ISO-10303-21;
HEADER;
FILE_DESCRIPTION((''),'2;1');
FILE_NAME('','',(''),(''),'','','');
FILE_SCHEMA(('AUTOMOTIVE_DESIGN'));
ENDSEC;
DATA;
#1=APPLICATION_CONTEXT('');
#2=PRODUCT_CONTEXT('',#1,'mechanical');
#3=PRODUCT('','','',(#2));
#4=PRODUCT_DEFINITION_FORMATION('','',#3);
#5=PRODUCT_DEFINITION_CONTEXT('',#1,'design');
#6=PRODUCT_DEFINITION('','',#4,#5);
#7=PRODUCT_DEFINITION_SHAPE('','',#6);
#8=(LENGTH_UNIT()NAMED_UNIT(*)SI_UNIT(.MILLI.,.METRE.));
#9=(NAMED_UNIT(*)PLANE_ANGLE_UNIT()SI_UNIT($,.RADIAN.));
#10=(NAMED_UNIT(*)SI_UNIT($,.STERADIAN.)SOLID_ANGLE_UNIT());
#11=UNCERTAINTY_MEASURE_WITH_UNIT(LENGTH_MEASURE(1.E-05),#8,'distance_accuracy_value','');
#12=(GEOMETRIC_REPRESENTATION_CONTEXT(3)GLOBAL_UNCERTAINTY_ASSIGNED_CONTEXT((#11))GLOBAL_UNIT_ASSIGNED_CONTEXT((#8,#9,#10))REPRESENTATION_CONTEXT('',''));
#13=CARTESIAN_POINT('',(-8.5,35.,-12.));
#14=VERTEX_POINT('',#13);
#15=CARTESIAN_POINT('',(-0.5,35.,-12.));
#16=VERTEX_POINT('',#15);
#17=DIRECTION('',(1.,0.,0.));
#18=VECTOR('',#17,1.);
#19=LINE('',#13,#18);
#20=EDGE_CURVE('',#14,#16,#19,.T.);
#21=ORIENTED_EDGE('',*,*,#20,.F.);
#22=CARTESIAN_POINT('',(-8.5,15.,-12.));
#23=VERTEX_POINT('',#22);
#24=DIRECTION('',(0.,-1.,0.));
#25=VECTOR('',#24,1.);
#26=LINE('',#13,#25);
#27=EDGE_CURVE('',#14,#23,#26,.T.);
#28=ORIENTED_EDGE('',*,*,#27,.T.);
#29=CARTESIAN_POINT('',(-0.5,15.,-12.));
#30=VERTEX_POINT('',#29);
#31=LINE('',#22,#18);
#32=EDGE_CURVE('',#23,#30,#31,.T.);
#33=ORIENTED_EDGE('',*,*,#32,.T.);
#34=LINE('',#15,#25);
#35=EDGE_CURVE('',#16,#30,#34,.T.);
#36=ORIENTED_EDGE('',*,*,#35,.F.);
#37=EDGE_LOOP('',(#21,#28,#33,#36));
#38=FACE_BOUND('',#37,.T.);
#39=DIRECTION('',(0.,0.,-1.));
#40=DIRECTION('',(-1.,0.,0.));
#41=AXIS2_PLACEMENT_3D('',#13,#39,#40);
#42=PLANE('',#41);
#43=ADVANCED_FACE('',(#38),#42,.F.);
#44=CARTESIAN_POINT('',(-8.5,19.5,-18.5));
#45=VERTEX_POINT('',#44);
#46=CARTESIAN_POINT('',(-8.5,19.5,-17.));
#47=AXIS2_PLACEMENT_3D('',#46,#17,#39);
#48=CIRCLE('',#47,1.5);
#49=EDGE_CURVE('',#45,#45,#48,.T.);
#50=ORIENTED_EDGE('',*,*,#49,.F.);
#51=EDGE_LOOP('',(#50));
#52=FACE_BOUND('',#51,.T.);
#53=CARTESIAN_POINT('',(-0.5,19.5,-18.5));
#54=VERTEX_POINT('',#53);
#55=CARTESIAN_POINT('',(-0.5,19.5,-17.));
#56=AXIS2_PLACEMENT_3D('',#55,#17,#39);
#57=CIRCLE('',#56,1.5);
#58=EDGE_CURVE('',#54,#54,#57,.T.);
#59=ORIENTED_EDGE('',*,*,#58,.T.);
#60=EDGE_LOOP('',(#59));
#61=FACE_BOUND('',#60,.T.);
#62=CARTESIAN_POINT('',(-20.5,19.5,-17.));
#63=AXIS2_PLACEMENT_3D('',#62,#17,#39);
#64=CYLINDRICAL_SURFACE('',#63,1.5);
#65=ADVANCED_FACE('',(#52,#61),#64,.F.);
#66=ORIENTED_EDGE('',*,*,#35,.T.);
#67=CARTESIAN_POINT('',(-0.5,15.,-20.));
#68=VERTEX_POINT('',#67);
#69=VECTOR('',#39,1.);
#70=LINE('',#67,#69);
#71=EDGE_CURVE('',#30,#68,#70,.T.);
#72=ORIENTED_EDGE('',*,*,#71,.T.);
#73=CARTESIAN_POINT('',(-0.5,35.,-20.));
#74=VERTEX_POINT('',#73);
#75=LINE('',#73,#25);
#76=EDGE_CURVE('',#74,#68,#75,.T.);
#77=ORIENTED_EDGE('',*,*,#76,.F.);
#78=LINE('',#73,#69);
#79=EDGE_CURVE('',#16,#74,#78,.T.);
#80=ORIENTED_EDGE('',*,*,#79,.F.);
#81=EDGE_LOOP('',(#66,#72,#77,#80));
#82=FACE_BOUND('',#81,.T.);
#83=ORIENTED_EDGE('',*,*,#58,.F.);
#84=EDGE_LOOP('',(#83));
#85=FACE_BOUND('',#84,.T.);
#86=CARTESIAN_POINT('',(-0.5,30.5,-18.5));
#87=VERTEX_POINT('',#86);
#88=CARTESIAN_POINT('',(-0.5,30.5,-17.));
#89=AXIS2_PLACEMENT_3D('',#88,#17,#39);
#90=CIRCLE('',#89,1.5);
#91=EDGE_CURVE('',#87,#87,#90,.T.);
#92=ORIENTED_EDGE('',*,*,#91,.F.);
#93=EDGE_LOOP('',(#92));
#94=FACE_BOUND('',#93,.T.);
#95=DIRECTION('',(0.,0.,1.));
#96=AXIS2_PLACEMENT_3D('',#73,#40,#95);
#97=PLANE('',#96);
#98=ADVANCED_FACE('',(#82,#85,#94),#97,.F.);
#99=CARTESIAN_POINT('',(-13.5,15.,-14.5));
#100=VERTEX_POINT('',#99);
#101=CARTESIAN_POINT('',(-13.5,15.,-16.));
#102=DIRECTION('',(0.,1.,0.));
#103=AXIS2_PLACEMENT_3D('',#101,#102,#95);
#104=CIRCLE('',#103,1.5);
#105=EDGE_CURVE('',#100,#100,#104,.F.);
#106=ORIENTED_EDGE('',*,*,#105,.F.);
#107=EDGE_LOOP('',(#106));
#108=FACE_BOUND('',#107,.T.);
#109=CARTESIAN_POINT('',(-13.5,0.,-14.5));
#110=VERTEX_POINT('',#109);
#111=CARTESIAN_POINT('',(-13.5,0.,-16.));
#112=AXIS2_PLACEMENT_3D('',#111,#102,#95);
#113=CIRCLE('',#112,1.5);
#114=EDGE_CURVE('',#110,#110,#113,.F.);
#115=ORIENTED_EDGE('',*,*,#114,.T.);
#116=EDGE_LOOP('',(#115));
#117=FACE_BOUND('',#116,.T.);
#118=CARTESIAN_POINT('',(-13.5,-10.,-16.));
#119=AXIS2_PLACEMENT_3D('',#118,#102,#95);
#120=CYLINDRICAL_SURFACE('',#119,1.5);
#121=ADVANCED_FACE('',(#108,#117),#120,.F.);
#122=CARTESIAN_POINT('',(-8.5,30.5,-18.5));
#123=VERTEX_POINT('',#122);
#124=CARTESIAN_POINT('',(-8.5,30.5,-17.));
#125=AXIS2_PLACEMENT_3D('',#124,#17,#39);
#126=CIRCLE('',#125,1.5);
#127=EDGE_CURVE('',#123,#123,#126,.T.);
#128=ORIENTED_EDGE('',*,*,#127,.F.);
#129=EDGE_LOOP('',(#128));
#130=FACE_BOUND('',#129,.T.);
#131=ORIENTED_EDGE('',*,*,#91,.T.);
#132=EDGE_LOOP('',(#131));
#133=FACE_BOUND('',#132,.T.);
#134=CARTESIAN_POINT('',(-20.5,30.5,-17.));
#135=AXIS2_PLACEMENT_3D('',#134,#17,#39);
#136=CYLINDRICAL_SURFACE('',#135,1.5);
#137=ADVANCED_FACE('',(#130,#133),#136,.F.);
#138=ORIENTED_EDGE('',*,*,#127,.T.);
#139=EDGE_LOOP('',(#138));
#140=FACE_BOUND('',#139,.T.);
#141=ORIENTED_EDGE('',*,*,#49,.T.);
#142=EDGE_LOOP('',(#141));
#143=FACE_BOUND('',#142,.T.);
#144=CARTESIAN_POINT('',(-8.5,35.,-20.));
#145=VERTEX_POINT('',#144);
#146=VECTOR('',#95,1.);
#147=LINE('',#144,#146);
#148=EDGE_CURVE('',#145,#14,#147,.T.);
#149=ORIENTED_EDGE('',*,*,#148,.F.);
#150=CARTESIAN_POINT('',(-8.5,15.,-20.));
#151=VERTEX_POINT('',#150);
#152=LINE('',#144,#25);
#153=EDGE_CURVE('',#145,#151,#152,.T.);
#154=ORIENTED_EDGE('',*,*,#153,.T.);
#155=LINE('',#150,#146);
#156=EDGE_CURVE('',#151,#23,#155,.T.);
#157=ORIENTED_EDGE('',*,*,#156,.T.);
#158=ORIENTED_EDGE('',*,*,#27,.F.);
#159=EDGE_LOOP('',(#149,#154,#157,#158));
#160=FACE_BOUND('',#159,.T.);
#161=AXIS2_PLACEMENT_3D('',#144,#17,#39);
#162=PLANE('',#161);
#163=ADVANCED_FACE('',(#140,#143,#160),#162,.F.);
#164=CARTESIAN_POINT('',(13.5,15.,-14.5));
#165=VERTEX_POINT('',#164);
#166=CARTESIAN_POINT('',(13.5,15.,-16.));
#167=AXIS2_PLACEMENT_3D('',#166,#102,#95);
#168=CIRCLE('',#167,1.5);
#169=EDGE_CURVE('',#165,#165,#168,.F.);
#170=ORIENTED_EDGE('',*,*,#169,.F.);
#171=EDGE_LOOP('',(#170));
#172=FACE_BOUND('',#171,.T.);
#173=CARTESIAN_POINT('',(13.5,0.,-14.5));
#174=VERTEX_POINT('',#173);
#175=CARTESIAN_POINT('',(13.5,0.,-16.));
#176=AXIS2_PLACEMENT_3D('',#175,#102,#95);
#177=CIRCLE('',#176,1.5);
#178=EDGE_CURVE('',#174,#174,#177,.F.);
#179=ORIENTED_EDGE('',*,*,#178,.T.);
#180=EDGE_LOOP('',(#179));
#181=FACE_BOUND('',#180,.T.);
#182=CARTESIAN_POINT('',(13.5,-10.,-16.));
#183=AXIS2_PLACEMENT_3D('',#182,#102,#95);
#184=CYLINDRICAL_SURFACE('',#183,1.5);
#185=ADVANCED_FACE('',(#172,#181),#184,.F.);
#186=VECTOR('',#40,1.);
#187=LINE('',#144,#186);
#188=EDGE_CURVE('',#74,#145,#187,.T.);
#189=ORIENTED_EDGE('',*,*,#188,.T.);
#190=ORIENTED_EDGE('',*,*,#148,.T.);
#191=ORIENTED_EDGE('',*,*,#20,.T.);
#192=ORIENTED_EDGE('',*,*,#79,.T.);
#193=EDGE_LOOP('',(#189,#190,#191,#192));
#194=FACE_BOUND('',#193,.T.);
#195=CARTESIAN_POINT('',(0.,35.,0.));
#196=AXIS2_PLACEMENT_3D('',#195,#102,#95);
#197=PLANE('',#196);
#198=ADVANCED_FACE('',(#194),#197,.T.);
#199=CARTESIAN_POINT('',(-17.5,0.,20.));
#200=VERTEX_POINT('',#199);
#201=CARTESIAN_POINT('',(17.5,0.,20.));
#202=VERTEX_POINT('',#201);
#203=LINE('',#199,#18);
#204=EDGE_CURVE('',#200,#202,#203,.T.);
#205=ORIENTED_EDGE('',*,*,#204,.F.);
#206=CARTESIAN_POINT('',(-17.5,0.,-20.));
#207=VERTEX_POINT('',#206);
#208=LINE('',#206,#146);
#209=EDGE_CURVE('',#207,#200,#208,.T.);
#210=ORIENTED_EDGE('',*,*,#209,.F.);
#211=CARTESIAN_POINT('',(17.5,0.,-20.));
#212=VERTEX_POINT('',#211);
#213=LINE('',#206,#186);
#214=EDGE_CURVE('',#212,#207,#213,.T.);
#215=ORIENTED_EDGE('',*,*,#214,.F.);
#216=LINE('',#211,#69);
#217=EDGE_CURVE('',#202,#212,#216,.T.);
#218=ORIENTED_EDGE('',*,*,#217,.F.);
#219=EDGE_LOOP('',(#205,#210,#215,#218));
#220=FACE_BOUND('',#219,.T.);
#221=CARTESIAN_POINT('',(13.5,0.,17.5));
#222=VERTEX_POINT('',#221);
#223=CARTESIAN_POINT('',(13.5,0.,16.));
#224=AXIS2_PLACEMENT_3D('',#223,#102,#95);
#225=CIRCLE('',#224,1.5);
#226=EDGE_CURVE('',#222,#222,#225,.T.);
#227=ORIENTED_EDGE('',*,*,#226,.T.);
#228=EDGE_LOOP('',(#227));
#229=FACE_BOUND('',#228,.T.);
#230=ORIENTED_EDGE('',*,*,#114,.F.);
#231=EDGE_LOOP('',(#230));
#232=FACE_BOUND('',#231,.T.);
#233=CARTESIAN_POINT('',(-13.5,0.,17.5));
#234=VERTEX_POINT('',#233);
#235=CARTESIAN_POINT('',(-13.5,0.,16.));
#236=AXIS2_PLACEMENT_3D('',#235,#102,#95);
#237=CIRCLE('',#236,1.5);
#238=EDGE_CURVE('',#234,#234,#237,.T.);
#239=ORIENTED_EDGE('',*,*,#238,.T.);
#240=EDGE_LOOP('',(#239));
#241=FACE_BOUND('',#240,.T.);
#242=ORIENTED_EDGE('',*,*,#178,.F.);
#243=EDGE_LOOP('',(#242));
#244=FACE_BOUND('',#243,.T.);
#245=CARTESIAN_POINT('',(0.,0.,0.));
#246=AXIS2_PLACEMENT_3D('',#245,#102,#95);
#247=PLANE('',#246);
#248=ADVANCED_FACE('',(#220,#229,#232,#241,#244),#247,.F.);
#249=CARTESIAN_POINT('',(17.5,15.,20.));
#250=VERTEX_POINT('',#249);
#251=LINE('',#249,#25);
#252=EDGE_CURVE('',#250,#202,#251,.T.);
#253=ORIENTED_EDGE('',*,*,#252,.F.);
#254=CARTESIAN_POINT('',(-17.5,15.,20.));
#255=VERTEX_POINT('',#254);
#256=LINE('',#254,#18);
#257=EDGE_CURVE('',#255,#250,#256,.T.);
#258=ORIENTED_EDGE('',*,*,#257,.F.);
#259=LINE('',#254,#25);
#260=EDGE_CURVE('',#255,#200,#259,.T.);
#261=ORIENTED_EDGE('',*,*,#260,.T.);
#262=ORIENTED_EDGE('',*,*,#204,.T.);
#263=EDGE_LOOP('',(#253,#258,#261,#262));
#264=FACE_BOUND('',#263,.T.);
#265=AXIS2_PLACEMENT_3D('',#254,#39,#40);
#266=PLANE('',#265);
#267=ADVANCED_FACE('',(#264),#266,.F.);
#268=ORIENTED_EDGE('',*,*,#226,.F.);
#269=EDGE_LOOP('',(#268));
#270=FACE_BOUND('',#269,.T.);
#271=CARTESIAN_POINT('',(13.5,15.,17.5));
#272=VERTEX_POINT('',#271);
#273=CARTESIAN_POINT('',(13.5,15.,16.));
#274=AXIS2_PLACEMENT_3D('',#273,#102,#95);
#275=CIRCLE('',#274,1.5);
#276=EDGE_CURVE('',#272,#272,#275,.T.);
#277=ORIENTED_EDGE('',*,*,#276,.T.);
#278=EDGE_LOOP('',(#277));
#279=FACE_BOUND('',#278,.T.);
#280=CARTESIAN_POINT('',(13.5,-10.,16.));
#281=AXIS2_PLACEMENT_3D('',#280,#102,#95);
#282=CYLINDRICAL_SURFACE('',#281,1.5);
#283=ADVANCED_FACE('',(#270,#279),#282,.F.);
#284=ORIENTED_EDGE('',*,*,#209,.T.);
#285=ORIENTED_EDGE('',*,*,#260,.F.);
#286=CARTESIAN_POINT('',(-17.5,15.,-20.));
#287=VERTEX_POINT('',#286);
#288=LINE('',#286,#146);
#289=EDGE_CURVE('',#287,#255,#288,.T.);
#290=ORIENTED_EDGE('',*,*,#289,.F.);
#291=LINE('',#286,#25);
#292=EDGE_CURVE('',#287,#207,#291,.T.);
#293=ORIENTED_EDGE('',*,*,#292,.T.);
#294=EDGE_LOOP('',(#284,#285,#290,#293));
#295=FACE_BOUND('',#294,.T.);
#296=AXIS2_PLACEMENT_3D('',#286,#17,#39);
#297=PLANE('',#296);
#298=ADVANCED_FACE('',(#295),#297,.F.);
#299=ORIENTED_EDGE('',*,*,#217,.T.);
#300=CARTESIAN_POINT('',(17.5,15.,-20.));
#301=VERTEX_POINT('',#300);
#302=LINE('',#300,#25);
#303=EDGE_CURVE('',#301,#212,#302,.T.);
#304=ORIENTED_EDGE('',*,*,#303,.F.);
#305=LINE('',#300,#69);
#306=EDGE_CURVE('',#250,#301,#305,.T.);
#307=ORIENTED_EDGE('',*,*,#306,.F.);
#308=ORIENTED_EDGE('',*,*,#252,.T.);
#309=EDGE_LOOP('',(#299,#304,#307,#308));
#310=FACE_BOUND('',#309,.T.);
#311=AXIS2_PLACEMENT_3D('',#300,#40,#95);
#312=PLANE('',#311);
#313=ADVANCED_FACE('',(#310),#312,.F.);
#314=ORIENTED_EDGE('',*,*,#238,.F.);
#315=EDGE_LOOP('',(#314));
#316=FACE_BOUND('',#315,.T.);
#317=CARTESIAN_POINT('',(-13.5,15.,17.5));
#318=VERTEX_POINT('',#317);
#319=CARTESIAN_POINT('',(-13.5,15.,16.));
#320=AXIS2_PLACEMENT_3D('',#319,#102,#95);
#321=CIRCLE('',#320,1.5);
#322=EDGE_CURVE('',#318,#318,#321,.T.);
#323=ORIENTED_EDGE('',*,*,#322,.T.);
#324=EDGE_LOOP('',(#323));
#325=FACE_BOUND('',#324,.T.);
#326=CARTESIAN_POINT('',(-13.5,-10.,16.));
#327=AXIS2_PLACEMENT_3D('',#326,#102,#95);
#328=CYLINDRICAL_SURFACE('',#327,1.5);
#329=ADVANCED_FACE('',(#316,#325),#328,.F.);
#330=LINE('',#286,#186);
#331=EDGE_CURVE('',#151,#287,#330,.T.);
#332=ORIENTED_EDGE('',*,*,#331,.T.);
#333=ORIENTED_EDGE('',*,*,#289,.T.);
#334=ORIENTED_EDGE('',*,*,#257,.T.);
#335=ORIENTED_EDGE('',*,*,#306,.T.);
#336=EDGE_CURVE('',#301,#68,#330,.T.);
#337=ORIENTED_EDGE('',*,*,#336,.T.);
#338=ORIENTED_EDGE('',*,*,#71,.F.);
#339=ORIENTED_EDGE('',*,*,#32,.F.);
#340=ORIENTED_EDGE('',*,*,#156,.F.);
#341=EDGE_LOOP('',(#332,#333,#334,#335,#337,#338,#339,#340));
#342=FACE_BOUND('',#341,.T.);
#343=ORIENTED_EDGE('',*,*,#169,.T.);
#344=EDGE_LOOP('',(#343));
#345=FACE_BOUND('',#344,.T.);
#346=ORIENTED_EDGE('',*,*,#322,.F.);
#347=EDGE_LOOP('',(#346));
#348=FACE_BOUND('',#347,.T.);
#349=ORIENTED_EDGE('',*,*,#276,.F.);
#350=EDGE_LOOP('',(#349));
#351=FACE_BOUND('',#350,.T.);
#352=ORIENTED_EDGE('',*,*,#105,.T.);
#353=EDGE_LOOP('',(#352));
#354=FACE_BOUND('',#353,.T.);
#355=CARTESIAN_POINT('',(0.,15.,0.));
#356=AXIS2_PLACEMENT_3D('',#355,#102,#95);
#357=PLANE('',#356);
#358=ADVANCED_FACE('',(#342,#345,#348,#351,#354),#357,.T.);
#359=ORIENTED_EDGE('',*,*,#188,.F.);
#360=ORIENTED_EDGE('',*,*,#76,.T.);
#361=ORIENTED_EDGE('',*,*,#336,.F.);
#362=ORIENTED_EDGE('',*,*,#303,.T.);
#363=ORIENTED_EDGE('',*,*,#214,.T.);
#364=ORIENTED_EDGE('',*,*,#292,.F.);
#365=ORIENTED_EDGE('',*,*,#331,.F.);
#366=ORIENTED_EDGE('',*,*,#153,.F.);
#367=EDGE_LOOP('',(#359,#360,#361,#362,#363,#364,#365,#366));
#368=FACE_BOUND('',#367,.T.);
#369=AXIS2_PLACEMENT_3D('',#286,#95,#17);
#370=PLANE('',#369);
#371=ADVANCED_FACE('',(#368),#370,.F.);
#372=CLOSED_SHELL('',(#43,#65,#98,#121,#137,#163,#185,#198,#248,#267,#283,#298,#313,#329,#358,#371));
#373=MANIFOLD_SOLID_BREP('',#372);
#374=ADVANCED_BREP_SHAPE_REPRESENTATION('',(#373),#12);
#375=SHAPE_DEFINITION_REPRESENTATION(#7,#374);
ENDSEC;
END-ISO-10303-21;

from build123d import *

# Parameters (mm, degrees)
SKETCH_1_W          = 35
SKETCH_1_H          = 40
EXTRUDE_1_DEPTH     = 15
SKETCH_4_R          = 1.5
CUT_EXTRUDE_1_DEPTH = 25
SKETCH_5_W          = 8
SKETCH_5_H          = 8
EXTRUDE_2_DEPTH     = 20
SKETCH_6_R          = 1.5
CUT_EXTRUDE_2_DEPTH = 20


with BuildPart() as part:
    # Эскиз1 → Бобышка-Вытянуть1 (new body)
    with BuildSketch(Plane(origin=(0, 0, 0), x_dir=(1, 0, 0), z_dir=(0, 1, 0))):
        Rectangle(SKETCH_1_W, SKETCH_1_H)
    extrude(amount=EXTRUDE_1_DEPTH)

    # Эскиз4 → Вырез-Вытянуть1 (cut)
    with BuildSketch(Plane(origin=(0, 15, 0), x_dir=(1, 0, 0), z_dir=(0, 1, 0))):
        with BuildLine():
            ThreePointArc((-12, 16), (-14.560660172, 17.060660172), (-13.5, 14.5))
            Line((-13.5, 14.5), (-13.5, 16))
            Line((-13.5, 16), (-12, 16))
        make_face()
        with BuildLine():
            Line((-13.5, 16), (-13.5, 14.5))
            ThreePointArc((-13.5, 14.5), (-12.439339828, 14.939339828), (-12, 16))
            Line((-12, 16), (-13.5, 16))
        make_face()
        with BuildLine():
            ThreePointArc((15, -16), (14.560660172, -14.939339828), (13.5, -14.5))
            Line((13.5, -14.5), (13.5, -16))
            Line((13.5, -16), (12, -16))
            ThreePointArc((12, -16), (13.5, -17.5), (15, -16))
        make_face()
        with BuildLine():
            Line((13.5, -16), (13.5, -14.5))
            ThreePointArc((13.5, -14.5), (12.439339828, -14.939339828), (12, -16))
            Line((12, -16), (13.5, -16))
        make_face()
        with BuildLine():
            ThreePointArc((12, 16), (12.439339828, 14.939339828), (13.5, 14.5))
            Line((13.5, 14.5), (13.5, 16))
            Line((13.5, 16), (12, 16))
        make_face()
        with BuildLine():
            Line((13.5, 16), (13.5, 14.5))
            ThreePointArc((13.5, 14.5), (14.560660172, 14.939339828), (15, 16))
            ThreePointArc((15, 16), (13.5, 17.5), (12, 16))
            Line((12, 16), (13.5, 16))
        make_face()
        with Locations((-13.5, -16)):
            Circle(SKETCH_4_R)
    extrude(amount=-CUT_EXTRUDE_1_DEPTH, mode=Mode.SUBTRACT)

    # Эскиз5 → Бобышка-Вытянуть2 (add)
    with BuildSketch(Plane(origin=(0, 15, 0), x_dir=(1, 0, 0), z_dir=(0, 1, 0))):
        with Locations((-4.5, 16)):
            Rectangle(SKETCH_5_W, SKETCH_5_H)
    extrude(amount=EXTRUDE_2_DEPTH)

    # Эскиз6 → Вырез-Вытянуть2 (cut)
    with BuildSketch(Plane(origin=(-0.5, 0, 0), x_dir=(0, 0, -1), z_dir=(1, 0, 0))):
        with Locations((17, 30.5)):
            Circle(SKETCH_6_R)
        with Locations((17, 19.5)):
            Circle(SKETCH_6_R)
    extrude(amount=-CUT_EXTRUDE_2_DEPTH, mode=Mode.SUBTRACT)


solid = part.part
